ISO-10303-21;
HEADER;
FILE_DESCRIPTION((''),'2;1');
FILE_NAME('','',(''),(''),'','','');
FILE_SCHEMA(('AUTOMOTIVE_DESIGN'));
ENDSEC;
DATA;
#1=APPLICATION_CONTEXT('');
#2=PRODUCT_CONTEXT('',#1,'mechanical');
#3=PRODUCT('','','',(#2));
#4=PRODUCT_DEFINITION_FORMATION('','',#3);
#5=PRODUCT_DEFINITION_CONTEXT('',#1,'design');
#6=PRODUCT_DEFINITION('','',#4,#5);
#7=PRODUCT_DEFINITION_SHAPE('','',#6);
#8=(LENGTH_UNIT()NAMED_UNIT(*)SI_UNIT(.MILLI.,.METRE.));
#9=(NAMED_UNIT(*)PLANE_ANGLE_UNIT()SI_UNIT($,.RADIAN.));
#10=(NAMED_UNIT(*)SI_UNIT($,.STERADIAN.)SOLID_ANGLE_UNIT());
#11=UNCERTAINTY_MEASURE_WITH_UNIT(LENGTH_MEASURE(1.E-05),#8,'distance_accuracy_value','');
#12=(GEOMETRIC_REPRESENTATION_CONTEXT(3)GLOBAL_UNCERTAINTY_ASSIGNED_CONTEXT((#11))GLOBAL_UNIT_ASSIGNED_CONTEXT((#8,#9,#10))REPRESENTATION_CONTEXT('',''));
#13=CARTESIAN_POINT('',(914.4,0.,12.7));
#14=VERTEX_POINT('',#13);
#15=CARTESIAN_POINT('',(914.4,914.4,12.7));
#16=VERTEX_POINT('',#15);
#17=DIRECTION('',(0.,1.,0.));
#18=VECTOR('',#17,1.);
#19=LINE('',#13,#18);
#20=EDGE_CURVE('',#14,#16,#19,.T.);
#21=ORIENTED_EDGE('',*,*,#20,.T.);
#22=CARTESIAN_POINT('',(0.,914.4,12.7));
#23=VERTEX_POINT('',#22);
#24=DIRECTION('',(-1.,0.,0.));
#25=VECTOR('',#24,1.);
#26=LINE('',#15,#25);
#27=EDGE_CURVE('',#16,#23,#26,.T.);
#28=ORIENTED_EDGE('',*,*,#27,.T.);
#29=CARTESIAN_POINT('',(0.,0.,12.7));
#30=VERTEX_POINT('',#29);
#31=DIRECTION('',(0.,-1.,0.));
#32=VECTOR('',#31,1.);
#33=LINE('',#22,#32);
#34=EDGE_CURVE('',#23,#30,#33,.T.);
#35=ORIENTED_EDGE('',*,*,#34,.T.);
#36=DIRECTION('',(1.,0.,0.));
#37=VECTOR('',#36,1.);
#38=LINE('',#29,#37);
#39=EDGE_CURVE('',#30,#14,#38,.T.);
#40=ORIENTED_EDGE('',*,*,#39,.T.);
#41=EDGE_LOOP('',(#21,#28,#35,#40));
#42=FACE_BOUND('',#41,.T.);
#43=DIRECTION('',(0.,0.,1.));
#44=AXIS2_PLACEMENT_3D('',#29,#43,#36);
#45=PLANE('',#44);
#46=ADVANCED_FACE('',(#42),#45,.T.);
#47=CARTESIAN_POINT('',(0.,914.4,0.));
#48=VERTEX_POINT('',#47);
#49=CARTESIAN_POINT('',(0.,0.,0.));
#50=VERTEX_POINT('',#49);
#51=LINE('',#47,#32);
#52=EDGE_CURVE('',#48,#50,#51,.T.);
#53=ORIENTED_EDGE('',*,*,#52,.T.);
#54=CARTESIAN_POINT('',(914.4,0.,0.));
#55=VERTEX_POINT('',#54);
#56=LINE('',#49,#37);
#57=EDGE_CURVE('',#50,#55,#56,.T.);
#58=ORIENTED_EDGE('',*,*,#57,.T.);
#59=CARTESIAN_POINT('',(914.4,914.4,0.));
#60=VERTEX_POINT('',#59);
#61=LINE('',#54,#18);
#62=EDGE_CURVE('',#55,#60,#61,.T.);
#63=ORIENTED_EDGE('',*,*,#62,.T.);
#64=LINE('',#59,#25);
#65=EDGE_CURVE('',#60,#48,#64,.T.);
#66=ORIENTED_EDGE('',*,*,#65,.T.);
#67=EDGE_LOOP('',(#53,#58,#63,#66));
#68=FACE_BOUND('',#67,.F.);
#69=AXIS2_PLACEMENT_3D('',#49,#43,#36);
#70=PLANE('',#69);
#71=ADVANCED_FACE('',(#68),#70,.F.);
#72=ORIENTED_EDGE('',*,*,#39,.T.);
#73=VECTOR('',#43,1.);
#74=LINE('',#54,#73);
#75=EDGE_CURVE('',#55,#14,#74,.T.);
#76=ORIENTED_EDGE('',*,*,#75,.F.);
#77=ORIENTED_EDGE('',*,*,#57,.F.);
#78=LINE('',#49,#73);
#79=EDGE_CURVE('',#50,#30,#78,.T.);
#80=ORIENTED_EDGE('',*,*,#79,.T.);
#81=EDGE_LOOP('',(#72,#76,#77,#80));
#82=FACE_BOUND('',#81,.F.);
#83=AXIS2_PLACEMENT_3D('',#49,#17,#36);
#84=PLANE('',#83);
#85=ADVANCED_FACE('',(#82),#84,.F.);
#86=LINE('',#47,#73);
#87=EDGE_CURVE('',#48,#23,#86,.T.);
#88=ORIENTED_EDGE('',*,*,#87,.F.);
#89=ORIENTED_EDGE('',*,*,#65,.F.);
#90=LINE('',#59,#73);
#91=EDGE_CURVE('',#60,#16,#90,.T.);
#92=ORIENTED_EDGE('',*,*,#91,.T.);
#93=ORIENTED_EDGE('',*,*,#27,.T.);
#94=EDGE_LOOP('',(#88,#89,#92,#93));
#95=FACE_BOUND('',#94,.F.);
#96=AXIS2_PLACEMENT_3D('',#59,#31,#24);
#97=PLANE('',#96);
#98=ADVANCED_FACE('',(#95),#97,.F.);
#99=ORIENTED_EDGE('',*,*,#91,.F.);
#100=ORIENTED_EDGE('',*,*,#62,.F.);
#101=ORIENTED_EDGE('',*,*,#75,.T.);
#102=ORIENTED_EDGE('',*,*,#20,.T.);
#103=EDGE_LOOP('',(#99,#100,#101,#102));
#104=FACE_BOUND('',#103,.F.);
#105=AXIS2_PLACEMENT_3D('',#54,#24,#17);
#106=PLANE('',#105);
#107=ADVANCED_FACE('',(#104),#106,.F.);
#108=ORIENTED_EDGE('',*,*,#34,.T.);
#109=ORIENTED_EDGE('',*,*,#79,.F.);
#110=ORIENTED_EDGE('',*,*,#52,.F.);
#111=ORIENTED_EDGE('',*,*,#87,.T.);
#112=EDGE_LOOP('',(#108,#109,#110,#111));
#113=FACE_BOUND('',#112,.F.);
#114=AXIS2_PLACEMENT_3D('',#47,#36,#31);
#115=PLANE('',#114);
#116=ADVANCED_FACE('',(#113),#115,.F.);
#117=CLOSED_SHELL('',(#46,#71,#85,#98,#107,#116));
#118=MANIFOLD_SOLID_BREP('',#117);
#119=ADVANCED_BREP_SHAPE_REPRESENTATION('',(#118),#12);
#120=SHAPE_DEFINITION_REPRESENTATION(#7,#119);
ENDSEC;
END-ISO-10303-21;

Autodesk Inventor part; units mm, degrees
ref_plane "YZ Plane" through (0, 0, 0) normal (1, 0, 0) x (0, 1, 0)
ref_plane "XZ Plane" through (0, 0, 0) normal (0, 1, 0) x (-1, 0, 0)
ref_plane "XY Plane" through (0, 0, 0) normal (0, 0, 1) x (1, 0, 0)
sketch "Sketch1" plane through (0, 0, 0) normal (0, 0, 1) x (1, 0, 0)
  line L0 (0, 0) -> (914.4, 0)
  line L1 (914.4, 0) -> (914.4, 914.4)
  line L2 (914.4, 914.4) -> (0, 914.4)
  line L3 (0, 914.4) -> (0, 0)
  dimension "d0" = 914.4
  dimension "d1" = 914.4
extrude "Extrusion1" add sketch "Sketch1" along normal blind 12.7
properties part number "base short wall back"
